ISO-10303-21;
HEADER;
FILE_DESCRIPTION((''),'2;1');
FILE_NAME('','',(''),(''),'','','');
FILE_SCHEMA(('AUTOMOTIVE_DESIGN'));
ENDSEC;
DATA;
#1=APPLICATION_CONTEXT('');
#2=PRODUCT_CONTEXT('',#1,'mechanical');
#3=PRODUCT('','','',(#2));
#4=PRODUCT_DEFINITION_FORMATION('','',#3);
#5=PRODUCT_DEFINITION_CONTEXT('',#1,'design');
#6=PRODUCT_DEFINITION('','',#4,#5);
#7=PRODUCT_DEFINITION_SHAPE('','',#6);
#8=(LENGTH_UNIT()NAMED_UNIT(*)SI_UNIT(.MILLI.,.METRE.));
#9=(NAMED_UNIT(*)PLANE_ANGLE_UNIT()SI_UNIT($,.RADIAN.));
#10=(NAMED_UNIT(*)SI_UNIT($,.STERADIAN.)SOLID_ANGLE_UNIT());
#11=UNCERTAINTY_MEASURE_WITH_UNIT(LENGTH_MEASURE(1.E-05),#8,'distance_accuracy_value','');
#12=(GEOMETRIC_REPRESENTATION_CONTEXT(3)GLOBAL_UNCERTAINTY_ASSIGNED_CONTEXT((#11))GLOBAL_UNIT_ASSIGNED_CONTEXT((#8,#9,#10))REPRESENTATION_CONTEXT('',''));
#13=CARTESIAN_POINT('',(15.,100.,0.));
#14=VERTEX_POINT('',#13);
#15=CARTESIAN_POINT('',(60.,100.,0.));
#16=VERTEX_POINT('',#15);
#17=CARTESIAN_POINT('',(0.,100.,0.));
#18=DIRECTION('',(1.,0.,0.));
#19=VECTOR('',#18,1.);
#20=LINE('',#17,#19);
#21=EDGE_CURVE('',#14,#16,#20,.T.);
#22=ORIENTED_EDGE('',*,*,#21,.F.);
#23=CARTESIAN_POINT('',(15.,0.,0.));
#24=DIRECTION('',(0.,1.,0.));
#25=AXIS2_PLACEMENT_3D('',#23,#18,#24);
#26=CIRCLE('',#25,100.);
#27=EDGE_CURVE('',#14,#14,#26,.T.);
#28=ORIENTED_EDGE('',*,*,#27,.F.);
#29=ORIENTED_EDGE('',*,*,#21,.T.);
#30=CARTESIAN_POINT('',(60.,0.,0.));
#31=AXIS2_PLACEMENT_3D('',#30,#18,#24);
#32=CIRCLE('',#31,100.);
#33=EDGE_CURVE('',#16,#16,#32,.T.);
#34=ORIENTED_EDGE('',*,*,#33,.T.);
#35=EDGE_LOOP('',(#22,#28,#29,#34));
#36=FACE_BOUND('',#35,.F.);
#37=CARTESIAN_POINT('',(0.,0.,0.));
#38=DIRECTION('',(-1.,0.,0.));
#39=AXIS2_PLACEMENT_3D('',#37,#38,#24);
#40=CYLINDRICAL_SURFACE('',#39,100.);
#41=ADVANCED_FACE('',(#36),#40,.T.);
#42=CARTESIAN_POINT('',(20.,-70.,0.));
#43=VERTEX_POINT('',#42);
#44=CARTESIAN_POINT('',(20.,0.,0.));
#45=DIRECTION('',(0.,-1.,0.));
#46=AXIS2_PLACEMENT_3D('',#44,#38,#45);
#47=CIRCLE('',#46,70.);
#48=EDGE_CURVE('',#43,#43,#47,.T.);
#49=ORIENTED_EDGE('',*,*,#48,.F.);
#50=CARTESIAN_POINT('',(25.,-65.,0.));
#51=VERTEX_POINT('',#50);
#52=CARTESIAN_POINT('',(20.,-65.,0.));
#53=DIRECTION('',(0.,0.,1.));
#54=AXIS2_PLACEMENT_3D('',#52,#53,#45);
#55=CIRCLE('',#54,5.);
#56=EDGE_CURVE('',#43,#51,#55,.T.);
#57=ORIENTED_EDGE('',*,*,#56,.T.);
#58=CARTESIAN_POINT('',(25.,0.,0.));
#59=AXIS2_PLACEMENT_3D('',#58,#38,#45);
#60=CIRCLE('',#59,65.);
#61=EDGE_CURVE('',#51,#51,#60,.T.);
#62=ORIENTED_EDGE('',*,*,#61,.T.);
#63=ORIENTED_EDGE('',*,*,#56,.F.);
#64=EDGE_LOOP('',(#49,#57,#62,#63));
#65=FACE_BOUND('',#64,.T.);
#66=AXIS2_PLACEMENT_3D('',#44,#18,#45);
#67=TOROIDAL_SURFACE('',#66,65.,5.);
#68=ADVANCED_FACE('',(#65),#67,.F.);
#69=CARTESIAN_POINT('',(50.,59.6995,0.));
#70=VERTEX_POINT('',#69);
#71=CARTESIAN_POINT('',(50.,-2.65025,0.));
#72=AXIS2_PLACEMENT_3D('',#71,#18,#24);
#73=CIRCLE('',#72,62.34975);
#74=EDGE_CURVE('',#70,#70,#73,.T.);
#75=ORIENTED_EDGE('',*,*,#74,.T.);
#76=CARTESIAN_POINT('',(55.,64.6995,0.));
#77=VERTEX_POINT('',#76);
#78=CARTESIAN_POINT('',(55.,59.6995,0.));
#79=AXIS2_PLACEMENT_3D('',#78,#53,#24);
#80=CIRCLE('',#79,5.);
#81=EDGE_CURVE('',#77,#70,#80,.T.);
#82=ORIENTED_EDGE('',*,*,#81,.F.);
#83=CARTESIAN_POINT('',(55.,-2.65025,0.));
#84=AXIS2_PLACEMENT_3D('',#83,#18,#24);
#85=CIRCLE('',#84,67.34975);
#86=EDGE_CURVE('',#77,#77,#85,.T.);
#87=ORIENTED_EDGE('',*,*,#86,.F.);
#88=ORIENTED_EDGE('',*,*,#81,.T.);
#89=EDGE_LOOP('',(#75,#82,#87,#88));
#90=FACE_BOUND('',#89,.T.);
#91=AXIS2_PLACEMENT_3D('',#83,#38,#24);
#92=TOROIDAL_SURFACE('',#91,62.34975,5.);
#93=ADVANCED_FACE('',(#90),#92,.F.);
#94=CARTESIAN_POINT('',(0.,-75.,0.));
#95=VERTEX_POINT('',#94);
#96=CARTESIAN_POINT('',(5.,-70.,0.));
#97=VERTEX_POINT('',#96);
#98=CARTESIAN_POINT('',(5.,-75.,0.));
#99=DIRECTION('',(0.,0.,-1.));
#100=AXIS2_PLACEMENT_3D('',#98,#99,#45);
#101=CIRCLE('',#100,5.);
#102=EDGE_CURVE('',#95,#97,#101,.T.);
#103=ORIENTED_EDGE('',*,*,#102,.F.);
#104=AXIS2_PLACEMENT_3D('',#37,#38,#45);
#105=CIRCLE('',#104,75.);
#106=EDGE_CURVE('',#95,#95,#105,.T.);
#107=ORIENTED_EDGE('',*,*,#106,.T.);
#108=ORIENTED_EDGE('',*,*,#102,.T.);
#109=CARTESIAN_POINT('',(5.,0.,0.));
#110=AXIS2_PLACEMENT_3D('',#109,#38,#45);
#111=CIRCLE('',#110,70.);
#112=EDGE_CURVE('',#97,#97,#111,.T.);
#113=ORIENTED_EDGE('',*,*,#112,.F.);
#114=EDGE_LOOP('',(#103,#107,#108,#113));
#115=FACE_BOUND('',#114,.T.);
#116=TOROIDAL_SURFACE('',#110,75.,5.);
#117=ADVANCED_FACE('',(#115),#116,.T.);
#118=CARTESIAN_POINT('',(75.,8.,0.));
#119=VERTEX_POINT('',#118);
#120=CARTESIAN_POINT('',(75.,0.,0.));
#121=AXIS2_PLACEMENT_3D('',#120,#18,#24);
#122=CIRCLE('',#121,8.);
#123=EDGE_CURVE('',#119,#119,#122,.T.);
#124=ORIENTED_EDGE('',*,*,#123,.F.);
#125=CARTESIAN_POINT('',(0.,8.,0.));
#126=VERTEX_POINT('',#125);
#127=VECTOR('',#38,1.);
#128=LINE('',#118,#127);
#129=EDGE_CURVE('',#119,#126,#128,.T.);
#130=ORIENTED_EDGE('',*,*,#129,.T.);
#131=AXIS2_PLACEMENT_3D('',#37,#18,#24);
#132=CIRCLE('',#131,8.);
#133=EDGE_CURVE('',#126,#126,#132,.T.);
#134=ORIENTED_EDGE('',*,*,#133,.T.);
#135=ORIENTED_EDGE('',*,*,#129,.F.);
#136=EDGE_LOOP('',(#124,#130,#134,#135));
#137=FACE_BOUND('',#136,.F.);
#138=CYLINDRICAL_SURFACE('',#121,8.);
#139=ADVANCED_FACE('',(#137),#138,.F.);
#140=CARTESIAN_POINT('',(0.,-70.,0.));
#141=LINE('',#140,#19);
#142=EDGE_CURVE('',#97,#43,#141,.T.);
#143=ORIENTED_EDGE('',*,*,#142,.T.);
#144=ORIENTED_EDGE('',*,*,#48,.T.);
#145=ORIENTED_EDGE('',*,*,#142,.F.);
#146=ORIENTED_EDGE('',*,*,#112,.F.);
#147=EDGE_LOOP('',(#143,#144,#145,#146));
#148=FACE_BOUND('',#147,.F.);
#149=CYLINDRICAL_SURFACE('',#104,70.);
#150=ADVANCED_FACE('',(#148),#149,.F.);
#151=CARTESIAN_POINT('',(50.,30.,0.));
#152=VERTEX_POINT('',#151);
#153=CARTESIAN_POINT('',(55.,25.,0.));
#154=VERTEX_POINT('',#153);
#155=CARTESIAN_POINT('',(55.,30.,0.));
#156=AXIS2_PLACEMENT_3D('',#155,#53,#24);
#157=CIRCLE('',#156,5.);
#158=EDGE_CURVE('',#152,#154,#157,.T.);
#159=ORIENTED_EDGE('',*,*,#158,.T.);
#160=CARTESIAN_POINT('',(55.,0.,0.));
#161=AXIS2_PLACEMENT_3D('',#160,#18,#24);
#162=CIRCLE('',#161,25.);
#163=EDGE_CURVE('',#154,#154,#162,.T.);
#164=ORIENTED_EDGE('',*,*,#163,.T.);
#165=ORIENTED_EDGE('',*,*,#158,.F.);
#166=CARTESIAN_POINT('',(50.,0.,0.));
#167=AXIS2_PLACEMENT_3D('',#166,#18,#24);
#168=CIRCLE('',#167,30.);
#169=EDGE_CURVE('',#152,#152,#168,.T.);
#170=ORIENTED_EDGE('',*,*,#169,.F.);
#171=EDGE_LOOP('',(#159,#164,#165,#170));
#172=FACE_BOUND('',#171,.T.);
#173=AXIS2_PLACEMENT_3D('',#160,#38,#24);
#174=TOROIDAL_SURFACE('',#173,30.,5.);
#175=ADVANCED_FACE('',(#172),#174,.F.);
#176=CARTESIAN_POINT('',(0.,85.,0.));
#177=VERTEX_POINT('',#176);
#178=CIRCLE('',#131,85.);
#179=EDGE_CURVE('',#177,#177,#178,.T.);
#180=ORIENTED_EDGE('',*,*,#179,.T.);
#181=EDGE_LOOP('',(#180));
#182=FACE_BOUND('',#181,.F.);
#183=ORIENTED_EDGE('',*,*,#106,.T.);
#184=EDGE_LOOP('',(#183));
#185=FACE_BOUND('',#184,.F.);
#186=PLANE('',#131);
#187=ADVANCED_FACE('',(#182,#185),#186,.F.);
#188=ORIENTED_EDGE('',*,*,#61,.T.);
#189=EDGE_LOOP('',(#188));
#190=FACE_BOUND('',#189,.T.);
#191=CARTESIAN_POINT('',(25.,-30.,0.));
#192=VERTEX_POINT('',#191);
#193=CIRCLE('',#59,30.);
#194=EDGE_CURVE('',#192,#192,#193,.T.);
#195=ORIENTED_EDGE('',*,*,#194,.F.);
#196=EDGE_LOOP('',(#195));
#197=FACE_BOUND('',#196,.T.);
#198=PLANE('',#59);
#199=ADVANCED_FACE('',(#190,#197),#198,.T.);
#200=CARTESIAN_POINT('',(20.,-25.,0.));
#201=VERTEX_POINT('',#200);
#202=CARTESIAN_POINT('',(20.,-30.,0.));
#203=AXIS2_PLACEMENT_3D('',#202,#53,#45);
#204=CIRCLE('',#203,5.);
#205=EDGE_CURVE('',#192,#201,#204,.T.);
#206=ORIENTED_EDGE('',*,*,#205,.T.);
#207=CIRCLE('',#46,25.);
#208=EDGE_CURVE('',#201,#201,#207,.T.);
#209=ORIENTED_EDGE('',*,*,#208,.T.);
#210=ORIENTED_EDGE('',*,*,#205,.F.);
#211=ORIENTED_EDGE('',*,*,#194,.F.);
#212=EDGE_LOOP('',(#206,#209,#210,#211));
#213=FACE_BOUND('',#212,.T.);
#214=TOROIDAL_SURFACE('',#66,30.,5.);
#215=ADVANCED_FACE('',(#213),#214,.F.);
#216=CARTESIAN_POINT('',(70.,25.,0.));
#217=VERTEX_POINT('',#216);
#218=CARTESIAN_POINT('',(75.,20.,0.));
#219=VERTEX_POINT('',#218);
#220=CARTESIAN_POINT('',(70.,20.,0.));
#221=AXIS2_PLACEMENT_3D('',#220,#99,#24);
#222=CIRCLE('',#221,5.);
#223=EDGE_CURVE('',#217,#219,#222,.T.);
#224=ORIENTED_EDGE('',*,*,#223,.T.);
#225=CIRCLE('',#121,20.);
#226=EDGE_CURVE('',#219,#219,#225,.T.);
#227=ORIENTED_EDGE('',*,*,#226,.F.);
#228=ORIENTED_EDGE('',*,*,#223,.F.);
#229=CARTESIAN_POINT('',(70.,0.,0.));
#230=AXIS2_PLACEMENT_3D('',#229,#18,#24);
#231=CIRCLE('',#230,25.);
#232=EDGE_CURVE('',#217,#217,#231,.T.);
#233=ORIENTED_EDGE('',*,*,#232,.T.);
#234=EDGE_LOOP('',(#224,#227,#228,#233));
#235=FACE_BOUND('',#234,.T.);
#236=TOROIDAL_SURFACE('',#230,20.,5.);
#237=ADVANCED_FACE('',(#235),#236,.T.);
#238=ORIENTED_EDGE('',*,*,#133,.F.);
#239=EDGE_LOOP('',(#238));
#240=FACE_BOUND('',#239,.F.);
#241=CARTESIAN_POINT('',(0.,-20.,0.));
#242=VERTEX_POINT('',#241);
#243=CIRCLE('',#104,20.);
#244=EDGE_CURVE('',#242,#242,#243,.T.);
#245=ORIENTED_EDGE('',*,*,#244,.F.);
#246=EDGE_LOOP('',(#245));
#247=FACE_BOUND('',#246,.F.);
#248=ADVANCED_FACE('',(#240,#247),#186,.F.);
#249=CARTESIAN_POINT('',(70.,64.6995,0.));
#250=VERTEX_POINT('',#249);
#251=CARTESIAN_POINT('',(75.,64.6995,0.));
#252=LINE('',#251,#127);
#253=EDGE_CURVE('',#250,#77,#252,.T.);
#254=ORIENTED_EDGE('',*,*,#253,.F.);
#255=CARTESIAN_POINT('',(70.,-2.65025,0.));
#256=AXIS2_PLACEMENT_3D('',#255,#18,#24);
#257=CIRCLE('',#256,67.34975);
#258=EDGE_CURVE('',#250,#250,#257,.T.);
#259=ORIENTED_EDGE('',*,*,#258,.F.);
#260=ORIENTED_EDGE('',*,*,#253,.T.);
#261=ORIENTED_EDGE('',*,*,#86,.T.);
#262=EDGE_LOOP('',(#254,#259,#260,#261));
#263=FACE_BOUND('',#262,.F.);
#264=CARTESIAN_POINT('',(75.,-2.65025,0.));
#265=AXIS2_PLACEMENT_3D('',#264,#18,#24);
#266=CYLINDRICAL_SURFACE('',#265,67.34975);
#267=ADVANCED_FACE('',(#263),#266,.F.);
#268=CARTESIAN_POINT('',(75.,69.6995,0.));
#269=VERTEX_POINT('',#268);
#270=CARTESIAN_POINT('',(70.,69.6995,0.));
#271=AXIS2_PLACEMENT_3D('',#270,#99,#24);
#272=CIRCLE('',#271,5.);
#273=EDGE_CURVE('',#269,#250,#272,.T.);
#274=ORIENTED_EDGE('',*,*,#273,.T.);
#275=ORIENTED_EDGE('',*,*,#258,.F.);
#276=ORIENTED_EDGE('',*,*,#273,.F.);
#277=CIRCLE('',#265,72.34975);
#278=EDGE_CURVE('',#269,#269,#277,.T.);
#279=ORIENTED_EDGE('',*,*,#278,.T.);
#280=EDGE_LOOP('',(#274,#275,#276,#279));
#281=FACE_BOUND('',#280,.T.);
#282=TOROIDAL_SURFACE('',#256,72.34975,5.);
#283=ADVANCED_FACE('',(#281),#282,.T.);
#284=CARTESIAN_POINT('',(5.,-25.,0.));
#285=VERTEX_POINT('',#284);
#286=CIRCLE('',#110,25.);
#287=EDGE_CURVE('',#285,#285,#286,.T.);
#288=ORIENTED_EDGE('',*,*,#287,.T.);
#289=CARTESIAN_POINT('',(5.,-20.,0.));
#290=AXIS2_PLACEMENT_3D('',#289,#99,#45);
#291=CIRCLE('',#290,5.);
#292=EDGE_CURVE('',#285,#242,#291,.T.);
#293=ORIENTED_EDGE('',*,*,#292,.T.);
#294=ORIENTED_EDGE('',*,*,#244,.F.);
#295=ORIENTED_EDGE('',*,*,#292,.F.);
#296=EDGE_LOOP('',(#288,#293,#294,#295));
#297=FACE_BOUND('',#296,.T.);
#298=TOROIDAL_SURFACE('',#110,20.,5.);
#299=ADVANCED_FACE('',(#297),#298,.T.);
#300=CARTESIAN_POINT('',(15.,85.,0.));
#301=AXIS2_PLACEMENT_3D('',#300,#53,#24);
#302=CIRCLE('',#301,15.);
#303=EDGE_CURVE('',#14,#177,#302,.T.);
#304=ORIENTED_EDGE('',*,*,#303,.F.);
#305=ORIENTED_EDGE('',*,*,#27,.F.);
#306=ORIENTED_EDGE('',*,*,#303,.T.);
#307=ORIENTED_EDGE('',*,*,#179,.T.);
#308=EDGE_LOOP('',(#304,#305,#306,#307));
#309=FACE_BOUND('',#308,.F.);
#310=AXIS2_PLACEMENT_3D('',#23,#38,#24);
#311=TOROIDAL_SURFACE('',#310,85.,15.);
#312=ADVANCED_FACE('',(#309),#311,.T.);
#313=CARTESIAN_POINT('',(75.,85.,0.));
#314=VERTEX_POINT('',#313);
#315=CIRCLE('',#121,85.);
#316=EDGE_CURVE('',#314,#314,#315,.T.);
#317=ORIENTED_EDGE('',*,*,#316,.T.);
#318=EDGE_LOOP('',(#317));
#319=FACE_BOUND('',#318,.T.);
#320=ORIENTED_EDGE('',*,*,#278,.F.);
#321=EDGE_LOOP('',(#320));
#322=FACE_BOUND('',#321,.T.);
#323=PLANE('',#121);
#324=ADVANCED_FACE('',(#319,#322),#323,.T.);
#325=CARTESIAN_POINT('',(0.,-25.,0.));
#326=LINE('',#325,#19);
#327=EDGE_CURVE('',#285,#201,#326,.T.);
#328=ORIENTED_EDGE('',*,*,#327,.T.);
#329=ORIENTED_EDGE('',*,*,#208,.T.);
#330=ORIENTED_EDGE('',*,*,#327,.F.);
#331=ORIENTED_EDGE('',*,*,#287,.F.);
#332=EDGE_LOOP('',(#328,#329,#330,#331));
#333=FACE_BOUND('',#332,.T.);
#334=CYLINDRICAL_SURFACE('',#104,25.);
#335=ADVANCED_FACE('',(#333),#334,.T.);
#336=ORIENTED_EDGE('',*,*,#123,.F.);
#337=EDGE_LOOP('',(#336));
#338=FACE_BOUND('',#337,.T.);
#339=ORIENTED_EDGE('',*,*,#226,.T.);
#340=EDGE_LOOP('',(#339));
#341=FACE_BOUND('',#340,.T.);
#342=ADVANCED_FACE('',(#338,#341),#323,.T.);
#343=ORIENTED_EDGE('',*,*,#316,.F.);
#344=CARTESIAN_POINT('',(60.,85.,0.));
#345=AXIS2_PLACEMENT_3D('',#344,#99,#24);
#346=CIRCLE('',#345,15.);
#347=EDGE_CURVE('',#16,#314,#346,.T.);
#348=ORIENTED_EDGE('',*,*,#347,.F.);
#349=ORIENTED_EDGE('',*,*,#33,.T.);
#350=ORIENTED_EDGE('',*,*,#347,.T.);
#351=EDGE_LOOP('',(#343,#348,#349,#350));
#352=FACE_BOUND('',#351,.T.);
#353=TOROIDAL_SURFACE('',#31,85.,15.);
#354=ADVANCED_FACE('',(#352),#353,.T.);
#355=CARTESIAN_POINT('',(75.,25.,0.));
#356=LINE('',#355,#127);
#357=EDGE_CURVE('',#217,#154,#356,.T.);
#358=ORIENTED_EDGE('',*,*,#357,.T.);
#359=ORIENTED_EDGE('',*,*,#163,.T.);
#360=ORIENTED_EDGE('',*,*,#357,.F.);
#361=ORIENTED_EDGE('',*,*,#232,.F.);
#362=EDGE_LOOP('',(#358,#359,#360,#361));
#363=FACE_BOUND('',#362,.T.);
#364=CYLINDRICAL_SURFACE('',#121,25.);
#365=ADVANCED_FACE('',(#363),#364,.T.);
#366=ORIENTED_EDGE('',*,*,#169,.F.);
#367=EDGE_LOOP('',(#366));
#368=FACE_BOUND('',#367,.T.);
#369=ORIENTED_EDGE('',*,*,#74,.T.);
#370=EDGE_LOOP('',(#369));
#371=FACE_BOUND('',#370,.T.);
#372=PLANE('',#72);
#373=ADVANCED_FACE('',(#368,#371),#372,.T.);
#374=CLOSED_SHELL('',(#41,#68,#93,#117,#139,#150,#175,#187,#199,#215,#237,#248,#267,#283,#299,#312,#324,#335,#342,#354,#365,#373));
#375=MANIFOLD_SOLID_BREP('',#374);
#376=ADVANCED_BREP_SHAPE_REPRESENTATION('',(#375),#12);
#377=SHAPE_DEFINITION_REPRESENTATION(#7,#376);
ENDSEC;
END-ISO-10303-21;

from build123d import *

# Parameters (mm, degrees)
F0_R     = 100
F1_DEPTH = 75
F2_R     = 15
F3_R     = 8
F4_DEPTH = 75.001
F5_R     = 67.34975
F5_R_2   = 25
F6_DEPTH = 25
F7_R     = 70
F7_R_2   = 25
F8_DEPTH = 25
F9_R     = 5


with BuildPart() as f1:
    # F0 (on Right) → F1 (new body)
    with BuildSketch(Plane.YZ):
        Circle(F0_R)
    extrude(amount=F1_DEPTH)

    # F2
    f2_edges = [f1.edges().sort_by_distance(p)[0] for p in [
        (75, -100, 0),
        (0, -100, 0),
    ]]
    fillet(f2_edges, radius=F2_R)

    # F3 (on face) → F4 (cut, through all)
    with BuildSketch(Plane.YZ.offset(75)):
        Circle(F3_R)
    extrude(amount=-F4_DEPTH, mode=Mode.SUBTRACT)

    # F5 (on face) → F6 (cut)
    with BuildSketch(Plane.YZ.offset(75)):
        with Locations((-2.65025, 0)):
            Circle(F5_R)
        Circle(F5_R_2, mode=Mode.SUBTRACT)
    extrude(amount=-F6_DEPTH, mode=Mode.SUBTRACT)

    # F7 (on face) → F8 (cut)
    with BuildSketch(Plane(origin=(0, 0, 0), x_dir=(0, -1, 0), z_dir=(-1, 0, 0))):
        Circle(F7_R)
        Circle(F7_R_2, mode=Mode.SUBTRACT)
    extrude(amount=-F8_DEPTH, mode=Mode.SUBTRACT)

    # F9
    f9_edges = [f1.edges().sort_by_distance(p)[0] for p in [
        (75, -70, 0),
        (50, -70, 0),
        (50, -25, 0),
        (75, -25, 0),
        (0, 70, 0),
        (25, 70, 0),
        (25, 25, 0),
        (0, 25, 0),
    ]]
    fillet(f9_edges, radius=F9_R)


solid = f1.part
